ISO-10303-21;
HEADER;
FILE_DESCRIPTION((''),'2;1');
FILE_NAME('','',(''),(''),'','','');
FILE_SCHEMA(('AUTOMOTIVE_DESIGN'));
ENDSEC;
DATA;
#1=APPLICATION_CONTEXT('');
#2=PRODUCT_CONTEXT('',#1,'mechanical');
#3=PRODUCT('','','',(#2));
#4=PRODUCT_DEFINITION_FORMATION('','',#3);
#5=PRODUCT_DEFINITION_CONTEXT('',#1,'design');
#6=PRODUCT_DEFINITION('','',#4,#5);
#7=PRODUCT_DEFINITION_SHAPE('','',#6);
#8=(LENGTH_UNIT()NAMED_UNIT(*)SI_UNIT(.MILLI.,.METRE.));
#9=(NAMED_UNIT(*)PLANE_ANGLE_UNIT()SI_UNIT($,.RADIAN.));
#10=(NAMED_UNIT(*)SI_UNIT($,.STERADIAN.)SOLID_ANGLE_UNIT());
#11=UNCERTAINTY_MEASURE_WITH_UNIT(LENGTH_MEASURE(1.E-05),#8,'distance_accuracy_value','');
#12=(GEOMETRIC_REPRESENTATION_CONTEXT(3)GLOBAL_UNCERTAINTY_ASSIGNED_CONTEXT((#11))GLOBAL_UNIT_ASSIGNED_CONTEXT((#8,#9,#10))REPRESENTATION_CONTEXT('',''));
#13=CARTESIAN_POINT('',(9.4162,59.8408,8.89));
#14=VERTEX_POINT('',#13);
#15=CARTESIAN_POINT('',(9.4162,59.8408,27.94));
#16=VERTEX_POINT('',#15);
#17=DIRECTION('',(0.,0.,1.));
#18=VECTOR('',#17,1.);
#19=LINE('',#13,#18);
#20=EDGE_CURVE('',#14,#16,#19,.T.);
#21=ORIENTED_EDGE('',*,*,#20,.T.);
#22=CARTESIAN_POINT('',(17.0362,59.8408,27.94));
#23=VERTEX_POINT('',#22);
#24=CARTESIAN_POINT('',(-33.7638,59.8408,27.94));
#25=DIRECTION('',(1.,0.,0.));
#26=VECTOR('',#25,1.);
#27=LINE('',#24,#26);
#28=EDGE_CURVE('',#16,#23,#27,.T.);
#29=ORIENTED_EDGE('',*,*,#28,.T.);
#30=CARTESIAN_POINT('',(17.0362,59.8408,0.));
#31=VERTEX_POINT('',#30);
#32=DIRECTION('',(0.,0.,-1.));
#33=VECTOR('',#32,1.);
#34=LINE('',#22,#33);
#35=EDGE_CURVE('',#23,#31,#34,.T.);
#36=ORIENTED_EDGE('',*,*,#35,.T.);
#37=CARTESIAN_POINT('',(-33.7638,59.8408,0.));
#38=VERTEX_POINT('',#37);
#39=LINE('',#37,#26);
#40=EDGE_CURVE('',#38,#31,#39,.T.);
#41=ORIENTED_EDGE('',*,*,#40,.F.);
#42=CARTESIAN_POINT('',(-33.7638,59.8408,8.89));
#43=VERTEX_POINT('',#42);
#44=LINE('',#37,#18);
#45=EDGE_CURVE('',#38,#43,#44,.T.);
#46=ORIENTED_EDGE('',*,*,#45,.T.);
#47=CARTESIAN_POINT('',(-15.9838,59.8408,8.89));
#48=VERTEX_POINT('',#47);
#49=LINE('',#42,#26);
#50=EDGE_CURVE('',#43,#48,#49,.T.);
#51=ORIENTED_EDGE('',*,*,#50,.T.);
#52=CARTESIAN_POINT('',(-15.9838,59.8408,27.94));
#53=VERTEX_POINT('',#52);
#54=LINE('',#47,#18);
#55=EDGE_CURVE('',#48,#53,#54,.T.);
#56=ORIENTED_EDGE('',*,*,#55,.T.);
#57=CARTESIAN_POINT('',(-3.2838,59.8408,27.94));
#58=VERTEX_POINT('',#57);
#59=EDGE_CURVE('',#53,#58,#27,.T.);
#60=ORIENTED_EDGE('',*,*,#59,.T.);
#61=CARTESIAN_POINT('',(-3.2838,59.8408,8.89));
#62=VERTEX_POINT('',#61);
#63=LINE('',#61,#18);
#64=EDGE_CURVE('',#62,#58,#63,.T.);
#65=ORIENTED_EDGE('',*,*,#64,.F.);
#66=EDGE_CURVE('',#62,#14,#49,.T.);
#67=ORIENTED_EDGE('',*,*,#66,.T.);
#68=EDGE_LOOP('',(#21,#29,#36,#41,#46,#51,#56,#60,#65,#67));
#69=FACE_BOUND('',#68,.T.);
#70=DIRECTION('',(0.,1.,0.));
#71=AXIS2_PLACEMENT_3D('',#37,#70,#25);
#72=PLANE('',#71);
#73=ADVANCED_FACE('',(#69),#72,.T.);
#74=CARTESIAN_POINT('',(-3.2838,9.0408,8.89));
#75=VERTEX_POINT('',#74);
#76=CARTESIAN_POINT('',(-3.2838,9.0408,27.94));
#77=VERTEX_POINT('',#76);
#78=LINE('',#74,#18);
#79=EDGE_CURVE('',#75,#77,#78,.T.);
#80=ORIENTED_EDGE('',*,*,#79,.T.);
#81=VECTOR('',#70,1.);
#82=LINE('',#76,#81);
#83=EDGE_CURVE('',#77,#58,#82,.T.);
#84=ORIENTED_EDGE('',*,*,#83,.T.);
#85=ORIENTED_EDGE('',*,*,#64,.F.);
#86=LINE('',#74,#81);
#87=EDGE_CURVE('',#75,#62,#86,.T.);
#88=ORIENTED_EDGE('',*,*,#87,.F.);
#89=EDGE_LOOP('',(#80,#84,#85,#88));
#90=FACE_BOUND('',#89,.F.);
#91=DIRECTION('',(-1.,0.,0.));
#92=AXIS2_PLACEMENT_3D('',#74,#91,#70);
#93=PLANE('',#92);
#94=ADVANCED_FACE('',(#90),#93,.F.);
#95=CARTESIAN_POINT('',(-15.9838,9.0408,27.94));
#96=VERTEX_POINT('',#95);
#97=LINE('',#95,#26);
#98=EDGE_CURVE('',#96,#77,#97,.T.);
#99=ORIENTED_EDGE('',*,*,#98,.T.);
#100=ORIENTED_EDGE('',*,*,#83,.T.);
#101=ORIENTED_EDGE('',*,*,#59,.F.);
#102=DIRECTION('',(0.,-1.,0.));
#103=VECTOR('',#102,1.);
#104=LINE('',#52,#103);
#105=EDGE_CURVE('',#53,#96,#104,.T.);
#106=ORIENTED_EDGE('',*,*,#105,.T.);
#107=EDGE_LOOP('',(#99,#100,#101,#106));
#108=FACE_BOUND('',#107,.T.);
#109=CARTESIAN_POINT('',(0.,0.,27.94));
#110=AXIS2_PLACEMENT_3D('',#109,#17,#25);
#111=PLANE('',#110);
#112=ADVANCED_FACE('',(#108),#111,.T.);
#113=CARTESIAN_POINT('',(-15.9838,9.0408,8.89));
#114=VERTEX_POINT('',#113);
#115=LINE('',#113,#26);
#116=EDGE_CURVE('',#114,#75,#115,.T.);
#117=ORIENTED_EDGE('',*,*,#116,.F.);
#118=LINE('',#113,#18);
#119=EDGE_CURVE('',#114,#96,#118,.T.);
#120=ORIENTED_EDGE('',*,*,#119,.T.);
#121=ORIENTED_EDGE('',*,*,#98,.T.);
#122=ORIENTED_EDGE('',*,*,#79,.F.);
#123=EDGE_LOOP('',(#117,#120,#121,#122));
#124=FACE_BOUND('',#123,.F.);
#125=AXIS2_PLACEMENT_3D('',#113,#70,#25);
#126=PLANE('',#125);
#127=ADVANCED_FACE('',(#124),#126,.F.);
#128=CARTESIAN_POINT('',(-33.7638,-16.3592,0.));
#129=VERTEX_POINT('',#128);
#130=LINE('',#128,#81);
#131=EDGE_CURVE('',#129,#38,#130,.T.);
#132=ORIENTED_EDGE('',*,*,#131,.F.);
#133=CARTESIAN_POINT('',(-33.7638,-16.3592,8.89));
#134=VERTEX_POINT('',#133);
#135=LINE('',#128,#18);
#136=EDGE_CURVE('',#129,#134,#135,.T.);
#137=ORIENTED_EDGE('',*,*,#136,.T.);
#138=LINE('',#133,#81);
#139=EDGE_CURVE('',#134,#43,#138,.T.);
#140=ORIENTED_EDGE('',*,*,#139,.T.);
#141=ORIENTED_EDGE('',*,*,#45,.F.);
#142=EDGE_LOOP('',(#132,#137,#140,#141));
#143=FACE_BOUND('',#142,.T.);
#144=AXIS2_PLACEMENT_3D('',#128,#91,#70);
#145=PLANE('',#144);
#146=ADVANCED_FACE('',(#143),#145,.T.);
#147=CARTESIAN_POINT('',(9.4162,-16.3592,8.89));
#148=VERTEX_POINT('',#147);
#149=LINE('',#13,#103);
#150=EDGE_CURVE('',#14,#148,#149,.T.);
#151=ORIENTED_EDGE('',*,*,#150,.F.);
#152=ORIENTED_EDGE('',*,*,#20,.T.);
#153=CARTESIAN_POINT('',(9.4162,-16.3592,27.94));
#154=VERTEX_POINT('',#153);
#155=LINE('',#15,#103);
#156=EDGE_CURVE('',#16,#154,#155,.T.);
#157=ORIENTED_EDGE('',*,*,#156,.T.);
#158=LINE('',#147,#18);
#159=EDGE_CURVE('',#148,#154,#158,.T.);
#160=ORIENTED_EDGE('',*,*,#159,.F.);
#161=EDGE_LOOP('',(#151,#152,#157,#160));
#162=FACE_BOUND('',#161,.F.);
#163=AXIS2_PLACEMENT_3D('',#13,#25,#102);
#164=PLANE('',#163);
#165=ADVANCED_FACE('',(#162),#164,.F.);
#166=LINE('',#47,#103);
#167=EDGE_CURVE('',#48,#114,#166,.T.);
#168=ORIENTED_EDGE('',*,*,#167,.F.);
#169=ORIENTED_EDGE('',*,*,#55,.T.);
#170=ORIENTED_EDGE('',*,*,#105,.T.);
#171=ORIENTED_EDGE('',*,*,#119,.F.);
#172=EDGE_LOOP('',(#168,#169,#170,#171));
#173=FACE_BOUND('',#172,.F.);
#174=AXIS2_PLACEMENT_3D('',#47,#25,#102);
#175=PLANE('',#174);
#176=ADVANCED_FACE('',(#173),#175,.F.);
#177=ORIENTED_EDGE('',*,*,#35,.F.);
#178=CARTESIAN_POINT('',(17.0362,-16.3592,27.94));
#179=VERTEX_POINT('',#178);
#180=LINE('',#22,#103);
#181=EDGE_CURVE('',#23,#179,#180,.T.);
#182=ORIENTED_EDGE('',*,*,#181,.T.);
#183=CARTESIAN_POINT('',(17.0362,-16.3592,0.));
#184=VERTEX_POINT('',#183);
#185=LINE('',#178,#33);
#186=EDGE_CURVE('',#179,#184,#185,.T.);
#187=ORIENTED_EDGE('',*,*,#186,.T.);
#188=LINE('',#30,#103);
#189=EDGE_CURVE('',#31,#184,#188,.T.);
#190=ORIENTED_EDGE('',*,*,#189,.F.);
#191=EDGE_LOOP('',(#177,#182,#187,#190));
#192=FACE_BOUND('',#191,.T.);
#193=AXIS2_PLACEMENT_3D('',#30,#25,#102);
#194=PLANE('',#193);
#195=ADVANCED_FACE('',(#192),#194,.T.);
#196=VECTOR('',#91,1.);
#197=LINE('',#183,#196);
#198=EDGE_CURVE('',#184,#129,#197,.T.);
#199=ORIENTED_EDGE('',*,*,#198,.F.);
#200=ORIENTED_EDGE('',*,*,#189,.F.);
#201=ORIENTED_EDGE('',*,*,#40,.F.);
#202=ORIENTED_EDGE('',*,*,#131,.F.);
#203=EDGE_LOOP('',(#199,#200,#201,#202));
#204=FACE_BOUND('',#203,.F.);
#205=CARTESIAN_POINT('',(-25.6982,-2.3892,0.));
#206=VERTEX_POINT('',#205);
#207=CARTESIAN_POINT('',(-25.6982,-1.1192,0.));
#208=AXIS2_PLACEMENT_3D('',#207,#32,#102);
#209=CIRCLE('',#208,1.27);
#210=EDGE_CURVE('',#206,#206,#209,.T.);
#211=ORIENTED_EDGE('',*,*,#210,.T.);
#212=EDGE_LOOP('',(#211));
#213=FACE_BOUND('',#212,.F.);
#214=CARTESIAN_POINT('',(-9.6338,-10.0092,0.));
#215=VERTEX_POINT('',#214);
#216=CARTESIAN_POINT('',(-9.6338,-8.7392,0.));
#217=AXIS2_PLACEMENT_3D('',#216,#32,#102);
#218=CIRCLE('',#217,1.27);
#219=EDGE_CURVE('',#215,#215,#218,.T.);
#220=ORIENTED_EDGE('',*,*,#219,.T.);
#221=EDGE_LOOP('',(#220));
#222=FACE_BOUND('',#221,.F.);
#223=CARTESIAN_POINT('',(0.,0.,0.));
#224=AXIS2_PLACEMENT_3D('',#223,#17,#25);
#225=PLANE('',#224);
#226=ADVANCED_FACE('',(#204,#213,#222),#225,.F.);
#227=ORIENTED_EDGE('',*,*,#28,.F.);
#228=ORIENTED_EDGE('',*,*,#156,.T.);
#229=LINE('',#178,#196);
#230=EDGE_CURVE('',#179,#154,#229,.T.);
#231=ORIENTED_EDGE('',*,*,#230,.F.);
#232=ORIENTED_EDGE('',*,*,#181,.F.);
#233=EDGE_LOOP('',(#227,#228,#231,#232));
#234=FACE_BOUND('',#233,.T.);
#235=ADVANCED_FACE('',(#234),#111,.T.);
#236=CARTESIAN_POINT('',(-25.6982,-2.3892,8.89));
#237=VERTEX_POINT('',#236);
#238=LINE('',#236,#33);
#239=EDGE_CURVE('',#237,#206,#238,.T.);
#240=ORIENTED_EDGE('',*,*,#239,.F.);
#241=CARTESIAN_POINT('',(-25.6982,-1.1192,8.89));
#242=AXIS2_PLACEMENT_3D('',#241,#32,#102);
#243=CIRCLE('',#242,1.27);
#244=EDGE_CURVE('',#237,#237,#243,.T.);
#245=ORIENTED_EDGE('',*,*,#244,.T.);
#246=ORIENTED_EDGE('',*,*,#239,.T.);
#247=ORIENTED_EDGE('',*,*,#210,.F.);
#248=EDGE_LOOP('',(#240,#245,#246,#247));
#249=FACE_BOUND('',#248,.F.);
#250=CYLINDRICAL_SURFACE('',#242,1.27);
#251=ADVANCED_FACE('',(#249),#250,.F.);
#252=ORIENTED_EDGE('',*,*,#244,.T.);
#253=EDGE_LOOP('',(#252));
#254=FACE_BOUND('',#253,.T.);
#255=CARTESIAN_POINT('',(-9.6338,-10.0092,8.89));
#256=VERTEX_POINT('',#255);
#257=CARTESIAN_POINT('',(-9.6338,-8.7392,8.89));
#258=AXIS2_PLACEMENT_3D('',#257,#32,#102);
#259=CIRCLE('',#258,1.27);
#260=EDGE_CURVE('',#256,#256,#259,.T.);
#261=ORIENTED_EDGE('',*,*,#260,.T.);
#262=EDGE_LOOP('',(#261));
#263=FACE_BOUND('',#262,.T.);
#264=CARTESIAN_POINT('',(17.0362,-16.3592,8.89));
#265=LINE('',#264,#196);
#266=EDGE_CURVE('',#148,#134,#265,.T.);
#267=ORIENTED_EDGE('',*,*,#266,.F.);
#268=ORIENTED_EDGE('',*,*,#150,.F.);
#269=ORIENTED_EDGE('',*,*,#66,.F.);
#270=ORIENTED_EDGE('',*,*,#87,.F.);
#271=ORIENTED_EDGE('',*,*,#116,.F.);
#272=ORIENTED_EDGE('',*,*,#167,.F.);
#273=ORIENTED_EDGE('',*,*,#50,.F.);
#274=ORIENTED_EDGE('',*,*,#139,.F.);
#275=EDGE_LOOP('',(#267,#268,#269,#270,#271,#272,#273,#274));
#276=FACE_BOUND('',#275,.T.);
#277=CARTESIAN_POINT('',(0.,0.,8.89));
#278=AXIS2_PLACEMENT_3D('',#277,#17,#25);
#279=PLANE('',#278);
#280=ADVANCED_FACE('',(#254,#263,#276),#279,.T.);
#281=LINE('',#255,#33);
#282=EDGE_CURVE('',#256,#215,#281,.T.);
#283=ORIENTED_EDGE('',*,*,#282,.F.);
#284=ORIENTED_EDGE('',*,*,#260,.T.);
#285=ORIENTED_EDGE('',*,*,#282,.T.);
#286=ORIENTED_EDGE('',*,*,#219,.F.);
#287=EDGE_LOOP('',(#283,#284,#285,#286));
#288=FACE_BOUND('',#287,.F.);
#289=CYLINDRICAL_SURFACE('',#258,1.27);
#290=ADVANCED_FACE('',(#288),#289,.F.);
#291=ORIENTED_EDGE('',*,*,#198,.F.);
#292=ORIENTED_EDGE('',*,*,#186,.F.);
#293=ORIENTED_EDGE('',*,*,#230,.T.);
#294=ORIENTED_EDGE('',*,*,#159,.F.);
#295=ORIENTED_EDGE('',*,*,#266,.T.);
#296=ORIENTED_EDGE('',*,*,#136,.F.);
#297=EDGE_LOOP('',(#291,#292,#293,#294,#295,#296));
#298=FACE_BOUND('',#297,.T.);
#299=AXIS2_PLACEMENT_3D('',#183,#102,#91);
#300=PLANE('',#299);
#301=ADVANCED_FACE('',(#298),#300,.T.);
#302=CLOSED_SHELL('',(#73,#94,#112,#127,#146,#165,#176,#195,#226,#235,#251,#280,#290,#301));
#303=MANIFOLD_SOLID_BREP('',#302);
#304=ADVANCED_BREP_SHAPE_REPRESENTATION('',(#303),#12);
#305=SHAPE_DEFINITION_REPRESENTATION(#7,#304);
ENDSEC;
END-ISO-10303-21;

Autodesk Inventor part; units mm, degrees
ref_plane "YZ Plane" through (0, 0, 0) normal (1, 0, 0) x (0, 1, 0)
ref_plane "XZ Plane" through (0, 0, 0) normal (0, 1, 0) x (-1, 0, 0)
ref_plane "XY Plane" through (0, 0, 0) normal (0, 0, 1) x (1, 0, 0)
sketch "Sketch1" plane through (0, 0, 0) normal (0, 0, 1) x (1, 0, 0)
  line L0 (-33.7638, 59.8408) -> (17.0362, 59.8408)
  line L1 (17.0362, 59.8408) -> (17.0362, -16.3592)
  line L2 (17.0362, -16.3592) -> (-33.7638, -16.3592)
  line L3 (-33.7638, -16.3592) -> (-33.7638, 59.8408)
  dimension "d0" = 50.8
  dimension "d1" = 76.2
extrude "Extrusion1" add sketch "Sketch1" along normal blind 8.89
sketch "Sketch2" plane through (0, 0, 8.89) normal (0, 0, 1) x (1, 0, 0)
  line L0 (17.0362, 59.8408) -> (17.0362, -16.3592) projected
  line L1 (-33.7638, 59.8408) -> (17.0362, 59.8408) projected
  line L2 (17.0362, -16.3592) -> (-33.7638, -16.3592) projected
  line L3 (9.4162, 59.8408) -> (9.4162, -16.3592)
  dimension "d4" = 7.62
extrude "Extrusion2" add sketch "Sketch2" along normal blind 19.05
sketch "Sketch3" plane through (0, 0, 8.89) normal (0, 0, 1) x (1, 0, 0)
  point P0 (9.4162, -16.3592)
  point P1 (-33.7638, -16.3592)
  point P2 (-9.6338, -8.7392)
  point P3 (-25.6982, -1.1192)
  dimension "d7" = 19.05
  dimension "d8" = 7.62
  dimension "d9" = 17.78
  dimension "d10" = 15.24
hole "Hole1" at (-9.6338, -8.7392, 8.89) at (-25.6982, -1.1192, 8.89) direction (0, 0, -1) diameter 2.54 depth 12.7 tip angle 118
sketch "Sketch4" plane through (0, 0, 8.89) normal (0, 0, 1) x (1, 0, 0)
  line L0 (9.4162, -16.3592) -> (9.4162, 59.8408) projected
  line L1 (-33.7638, 59.8408) -> (9.4162, 59.8408) projected
  line L2 (-15.9838, 59.8408) -> (-15.9838, 9.0408)
  line L3 (-15.9838, 9.0408) -> (-3.2838, 9.0408)
  line L4 (-3.2838, 9.0408) -> (-3.2838, 59.8408)
  dimension "d18" = 12.7
  dimension "d19" = 12.7
  dimension "d22" = 50.8
extrude "Extrusion3" add sketch "Sketch4" along normal up to surface (19.05 mm away)
properties part number "base"
